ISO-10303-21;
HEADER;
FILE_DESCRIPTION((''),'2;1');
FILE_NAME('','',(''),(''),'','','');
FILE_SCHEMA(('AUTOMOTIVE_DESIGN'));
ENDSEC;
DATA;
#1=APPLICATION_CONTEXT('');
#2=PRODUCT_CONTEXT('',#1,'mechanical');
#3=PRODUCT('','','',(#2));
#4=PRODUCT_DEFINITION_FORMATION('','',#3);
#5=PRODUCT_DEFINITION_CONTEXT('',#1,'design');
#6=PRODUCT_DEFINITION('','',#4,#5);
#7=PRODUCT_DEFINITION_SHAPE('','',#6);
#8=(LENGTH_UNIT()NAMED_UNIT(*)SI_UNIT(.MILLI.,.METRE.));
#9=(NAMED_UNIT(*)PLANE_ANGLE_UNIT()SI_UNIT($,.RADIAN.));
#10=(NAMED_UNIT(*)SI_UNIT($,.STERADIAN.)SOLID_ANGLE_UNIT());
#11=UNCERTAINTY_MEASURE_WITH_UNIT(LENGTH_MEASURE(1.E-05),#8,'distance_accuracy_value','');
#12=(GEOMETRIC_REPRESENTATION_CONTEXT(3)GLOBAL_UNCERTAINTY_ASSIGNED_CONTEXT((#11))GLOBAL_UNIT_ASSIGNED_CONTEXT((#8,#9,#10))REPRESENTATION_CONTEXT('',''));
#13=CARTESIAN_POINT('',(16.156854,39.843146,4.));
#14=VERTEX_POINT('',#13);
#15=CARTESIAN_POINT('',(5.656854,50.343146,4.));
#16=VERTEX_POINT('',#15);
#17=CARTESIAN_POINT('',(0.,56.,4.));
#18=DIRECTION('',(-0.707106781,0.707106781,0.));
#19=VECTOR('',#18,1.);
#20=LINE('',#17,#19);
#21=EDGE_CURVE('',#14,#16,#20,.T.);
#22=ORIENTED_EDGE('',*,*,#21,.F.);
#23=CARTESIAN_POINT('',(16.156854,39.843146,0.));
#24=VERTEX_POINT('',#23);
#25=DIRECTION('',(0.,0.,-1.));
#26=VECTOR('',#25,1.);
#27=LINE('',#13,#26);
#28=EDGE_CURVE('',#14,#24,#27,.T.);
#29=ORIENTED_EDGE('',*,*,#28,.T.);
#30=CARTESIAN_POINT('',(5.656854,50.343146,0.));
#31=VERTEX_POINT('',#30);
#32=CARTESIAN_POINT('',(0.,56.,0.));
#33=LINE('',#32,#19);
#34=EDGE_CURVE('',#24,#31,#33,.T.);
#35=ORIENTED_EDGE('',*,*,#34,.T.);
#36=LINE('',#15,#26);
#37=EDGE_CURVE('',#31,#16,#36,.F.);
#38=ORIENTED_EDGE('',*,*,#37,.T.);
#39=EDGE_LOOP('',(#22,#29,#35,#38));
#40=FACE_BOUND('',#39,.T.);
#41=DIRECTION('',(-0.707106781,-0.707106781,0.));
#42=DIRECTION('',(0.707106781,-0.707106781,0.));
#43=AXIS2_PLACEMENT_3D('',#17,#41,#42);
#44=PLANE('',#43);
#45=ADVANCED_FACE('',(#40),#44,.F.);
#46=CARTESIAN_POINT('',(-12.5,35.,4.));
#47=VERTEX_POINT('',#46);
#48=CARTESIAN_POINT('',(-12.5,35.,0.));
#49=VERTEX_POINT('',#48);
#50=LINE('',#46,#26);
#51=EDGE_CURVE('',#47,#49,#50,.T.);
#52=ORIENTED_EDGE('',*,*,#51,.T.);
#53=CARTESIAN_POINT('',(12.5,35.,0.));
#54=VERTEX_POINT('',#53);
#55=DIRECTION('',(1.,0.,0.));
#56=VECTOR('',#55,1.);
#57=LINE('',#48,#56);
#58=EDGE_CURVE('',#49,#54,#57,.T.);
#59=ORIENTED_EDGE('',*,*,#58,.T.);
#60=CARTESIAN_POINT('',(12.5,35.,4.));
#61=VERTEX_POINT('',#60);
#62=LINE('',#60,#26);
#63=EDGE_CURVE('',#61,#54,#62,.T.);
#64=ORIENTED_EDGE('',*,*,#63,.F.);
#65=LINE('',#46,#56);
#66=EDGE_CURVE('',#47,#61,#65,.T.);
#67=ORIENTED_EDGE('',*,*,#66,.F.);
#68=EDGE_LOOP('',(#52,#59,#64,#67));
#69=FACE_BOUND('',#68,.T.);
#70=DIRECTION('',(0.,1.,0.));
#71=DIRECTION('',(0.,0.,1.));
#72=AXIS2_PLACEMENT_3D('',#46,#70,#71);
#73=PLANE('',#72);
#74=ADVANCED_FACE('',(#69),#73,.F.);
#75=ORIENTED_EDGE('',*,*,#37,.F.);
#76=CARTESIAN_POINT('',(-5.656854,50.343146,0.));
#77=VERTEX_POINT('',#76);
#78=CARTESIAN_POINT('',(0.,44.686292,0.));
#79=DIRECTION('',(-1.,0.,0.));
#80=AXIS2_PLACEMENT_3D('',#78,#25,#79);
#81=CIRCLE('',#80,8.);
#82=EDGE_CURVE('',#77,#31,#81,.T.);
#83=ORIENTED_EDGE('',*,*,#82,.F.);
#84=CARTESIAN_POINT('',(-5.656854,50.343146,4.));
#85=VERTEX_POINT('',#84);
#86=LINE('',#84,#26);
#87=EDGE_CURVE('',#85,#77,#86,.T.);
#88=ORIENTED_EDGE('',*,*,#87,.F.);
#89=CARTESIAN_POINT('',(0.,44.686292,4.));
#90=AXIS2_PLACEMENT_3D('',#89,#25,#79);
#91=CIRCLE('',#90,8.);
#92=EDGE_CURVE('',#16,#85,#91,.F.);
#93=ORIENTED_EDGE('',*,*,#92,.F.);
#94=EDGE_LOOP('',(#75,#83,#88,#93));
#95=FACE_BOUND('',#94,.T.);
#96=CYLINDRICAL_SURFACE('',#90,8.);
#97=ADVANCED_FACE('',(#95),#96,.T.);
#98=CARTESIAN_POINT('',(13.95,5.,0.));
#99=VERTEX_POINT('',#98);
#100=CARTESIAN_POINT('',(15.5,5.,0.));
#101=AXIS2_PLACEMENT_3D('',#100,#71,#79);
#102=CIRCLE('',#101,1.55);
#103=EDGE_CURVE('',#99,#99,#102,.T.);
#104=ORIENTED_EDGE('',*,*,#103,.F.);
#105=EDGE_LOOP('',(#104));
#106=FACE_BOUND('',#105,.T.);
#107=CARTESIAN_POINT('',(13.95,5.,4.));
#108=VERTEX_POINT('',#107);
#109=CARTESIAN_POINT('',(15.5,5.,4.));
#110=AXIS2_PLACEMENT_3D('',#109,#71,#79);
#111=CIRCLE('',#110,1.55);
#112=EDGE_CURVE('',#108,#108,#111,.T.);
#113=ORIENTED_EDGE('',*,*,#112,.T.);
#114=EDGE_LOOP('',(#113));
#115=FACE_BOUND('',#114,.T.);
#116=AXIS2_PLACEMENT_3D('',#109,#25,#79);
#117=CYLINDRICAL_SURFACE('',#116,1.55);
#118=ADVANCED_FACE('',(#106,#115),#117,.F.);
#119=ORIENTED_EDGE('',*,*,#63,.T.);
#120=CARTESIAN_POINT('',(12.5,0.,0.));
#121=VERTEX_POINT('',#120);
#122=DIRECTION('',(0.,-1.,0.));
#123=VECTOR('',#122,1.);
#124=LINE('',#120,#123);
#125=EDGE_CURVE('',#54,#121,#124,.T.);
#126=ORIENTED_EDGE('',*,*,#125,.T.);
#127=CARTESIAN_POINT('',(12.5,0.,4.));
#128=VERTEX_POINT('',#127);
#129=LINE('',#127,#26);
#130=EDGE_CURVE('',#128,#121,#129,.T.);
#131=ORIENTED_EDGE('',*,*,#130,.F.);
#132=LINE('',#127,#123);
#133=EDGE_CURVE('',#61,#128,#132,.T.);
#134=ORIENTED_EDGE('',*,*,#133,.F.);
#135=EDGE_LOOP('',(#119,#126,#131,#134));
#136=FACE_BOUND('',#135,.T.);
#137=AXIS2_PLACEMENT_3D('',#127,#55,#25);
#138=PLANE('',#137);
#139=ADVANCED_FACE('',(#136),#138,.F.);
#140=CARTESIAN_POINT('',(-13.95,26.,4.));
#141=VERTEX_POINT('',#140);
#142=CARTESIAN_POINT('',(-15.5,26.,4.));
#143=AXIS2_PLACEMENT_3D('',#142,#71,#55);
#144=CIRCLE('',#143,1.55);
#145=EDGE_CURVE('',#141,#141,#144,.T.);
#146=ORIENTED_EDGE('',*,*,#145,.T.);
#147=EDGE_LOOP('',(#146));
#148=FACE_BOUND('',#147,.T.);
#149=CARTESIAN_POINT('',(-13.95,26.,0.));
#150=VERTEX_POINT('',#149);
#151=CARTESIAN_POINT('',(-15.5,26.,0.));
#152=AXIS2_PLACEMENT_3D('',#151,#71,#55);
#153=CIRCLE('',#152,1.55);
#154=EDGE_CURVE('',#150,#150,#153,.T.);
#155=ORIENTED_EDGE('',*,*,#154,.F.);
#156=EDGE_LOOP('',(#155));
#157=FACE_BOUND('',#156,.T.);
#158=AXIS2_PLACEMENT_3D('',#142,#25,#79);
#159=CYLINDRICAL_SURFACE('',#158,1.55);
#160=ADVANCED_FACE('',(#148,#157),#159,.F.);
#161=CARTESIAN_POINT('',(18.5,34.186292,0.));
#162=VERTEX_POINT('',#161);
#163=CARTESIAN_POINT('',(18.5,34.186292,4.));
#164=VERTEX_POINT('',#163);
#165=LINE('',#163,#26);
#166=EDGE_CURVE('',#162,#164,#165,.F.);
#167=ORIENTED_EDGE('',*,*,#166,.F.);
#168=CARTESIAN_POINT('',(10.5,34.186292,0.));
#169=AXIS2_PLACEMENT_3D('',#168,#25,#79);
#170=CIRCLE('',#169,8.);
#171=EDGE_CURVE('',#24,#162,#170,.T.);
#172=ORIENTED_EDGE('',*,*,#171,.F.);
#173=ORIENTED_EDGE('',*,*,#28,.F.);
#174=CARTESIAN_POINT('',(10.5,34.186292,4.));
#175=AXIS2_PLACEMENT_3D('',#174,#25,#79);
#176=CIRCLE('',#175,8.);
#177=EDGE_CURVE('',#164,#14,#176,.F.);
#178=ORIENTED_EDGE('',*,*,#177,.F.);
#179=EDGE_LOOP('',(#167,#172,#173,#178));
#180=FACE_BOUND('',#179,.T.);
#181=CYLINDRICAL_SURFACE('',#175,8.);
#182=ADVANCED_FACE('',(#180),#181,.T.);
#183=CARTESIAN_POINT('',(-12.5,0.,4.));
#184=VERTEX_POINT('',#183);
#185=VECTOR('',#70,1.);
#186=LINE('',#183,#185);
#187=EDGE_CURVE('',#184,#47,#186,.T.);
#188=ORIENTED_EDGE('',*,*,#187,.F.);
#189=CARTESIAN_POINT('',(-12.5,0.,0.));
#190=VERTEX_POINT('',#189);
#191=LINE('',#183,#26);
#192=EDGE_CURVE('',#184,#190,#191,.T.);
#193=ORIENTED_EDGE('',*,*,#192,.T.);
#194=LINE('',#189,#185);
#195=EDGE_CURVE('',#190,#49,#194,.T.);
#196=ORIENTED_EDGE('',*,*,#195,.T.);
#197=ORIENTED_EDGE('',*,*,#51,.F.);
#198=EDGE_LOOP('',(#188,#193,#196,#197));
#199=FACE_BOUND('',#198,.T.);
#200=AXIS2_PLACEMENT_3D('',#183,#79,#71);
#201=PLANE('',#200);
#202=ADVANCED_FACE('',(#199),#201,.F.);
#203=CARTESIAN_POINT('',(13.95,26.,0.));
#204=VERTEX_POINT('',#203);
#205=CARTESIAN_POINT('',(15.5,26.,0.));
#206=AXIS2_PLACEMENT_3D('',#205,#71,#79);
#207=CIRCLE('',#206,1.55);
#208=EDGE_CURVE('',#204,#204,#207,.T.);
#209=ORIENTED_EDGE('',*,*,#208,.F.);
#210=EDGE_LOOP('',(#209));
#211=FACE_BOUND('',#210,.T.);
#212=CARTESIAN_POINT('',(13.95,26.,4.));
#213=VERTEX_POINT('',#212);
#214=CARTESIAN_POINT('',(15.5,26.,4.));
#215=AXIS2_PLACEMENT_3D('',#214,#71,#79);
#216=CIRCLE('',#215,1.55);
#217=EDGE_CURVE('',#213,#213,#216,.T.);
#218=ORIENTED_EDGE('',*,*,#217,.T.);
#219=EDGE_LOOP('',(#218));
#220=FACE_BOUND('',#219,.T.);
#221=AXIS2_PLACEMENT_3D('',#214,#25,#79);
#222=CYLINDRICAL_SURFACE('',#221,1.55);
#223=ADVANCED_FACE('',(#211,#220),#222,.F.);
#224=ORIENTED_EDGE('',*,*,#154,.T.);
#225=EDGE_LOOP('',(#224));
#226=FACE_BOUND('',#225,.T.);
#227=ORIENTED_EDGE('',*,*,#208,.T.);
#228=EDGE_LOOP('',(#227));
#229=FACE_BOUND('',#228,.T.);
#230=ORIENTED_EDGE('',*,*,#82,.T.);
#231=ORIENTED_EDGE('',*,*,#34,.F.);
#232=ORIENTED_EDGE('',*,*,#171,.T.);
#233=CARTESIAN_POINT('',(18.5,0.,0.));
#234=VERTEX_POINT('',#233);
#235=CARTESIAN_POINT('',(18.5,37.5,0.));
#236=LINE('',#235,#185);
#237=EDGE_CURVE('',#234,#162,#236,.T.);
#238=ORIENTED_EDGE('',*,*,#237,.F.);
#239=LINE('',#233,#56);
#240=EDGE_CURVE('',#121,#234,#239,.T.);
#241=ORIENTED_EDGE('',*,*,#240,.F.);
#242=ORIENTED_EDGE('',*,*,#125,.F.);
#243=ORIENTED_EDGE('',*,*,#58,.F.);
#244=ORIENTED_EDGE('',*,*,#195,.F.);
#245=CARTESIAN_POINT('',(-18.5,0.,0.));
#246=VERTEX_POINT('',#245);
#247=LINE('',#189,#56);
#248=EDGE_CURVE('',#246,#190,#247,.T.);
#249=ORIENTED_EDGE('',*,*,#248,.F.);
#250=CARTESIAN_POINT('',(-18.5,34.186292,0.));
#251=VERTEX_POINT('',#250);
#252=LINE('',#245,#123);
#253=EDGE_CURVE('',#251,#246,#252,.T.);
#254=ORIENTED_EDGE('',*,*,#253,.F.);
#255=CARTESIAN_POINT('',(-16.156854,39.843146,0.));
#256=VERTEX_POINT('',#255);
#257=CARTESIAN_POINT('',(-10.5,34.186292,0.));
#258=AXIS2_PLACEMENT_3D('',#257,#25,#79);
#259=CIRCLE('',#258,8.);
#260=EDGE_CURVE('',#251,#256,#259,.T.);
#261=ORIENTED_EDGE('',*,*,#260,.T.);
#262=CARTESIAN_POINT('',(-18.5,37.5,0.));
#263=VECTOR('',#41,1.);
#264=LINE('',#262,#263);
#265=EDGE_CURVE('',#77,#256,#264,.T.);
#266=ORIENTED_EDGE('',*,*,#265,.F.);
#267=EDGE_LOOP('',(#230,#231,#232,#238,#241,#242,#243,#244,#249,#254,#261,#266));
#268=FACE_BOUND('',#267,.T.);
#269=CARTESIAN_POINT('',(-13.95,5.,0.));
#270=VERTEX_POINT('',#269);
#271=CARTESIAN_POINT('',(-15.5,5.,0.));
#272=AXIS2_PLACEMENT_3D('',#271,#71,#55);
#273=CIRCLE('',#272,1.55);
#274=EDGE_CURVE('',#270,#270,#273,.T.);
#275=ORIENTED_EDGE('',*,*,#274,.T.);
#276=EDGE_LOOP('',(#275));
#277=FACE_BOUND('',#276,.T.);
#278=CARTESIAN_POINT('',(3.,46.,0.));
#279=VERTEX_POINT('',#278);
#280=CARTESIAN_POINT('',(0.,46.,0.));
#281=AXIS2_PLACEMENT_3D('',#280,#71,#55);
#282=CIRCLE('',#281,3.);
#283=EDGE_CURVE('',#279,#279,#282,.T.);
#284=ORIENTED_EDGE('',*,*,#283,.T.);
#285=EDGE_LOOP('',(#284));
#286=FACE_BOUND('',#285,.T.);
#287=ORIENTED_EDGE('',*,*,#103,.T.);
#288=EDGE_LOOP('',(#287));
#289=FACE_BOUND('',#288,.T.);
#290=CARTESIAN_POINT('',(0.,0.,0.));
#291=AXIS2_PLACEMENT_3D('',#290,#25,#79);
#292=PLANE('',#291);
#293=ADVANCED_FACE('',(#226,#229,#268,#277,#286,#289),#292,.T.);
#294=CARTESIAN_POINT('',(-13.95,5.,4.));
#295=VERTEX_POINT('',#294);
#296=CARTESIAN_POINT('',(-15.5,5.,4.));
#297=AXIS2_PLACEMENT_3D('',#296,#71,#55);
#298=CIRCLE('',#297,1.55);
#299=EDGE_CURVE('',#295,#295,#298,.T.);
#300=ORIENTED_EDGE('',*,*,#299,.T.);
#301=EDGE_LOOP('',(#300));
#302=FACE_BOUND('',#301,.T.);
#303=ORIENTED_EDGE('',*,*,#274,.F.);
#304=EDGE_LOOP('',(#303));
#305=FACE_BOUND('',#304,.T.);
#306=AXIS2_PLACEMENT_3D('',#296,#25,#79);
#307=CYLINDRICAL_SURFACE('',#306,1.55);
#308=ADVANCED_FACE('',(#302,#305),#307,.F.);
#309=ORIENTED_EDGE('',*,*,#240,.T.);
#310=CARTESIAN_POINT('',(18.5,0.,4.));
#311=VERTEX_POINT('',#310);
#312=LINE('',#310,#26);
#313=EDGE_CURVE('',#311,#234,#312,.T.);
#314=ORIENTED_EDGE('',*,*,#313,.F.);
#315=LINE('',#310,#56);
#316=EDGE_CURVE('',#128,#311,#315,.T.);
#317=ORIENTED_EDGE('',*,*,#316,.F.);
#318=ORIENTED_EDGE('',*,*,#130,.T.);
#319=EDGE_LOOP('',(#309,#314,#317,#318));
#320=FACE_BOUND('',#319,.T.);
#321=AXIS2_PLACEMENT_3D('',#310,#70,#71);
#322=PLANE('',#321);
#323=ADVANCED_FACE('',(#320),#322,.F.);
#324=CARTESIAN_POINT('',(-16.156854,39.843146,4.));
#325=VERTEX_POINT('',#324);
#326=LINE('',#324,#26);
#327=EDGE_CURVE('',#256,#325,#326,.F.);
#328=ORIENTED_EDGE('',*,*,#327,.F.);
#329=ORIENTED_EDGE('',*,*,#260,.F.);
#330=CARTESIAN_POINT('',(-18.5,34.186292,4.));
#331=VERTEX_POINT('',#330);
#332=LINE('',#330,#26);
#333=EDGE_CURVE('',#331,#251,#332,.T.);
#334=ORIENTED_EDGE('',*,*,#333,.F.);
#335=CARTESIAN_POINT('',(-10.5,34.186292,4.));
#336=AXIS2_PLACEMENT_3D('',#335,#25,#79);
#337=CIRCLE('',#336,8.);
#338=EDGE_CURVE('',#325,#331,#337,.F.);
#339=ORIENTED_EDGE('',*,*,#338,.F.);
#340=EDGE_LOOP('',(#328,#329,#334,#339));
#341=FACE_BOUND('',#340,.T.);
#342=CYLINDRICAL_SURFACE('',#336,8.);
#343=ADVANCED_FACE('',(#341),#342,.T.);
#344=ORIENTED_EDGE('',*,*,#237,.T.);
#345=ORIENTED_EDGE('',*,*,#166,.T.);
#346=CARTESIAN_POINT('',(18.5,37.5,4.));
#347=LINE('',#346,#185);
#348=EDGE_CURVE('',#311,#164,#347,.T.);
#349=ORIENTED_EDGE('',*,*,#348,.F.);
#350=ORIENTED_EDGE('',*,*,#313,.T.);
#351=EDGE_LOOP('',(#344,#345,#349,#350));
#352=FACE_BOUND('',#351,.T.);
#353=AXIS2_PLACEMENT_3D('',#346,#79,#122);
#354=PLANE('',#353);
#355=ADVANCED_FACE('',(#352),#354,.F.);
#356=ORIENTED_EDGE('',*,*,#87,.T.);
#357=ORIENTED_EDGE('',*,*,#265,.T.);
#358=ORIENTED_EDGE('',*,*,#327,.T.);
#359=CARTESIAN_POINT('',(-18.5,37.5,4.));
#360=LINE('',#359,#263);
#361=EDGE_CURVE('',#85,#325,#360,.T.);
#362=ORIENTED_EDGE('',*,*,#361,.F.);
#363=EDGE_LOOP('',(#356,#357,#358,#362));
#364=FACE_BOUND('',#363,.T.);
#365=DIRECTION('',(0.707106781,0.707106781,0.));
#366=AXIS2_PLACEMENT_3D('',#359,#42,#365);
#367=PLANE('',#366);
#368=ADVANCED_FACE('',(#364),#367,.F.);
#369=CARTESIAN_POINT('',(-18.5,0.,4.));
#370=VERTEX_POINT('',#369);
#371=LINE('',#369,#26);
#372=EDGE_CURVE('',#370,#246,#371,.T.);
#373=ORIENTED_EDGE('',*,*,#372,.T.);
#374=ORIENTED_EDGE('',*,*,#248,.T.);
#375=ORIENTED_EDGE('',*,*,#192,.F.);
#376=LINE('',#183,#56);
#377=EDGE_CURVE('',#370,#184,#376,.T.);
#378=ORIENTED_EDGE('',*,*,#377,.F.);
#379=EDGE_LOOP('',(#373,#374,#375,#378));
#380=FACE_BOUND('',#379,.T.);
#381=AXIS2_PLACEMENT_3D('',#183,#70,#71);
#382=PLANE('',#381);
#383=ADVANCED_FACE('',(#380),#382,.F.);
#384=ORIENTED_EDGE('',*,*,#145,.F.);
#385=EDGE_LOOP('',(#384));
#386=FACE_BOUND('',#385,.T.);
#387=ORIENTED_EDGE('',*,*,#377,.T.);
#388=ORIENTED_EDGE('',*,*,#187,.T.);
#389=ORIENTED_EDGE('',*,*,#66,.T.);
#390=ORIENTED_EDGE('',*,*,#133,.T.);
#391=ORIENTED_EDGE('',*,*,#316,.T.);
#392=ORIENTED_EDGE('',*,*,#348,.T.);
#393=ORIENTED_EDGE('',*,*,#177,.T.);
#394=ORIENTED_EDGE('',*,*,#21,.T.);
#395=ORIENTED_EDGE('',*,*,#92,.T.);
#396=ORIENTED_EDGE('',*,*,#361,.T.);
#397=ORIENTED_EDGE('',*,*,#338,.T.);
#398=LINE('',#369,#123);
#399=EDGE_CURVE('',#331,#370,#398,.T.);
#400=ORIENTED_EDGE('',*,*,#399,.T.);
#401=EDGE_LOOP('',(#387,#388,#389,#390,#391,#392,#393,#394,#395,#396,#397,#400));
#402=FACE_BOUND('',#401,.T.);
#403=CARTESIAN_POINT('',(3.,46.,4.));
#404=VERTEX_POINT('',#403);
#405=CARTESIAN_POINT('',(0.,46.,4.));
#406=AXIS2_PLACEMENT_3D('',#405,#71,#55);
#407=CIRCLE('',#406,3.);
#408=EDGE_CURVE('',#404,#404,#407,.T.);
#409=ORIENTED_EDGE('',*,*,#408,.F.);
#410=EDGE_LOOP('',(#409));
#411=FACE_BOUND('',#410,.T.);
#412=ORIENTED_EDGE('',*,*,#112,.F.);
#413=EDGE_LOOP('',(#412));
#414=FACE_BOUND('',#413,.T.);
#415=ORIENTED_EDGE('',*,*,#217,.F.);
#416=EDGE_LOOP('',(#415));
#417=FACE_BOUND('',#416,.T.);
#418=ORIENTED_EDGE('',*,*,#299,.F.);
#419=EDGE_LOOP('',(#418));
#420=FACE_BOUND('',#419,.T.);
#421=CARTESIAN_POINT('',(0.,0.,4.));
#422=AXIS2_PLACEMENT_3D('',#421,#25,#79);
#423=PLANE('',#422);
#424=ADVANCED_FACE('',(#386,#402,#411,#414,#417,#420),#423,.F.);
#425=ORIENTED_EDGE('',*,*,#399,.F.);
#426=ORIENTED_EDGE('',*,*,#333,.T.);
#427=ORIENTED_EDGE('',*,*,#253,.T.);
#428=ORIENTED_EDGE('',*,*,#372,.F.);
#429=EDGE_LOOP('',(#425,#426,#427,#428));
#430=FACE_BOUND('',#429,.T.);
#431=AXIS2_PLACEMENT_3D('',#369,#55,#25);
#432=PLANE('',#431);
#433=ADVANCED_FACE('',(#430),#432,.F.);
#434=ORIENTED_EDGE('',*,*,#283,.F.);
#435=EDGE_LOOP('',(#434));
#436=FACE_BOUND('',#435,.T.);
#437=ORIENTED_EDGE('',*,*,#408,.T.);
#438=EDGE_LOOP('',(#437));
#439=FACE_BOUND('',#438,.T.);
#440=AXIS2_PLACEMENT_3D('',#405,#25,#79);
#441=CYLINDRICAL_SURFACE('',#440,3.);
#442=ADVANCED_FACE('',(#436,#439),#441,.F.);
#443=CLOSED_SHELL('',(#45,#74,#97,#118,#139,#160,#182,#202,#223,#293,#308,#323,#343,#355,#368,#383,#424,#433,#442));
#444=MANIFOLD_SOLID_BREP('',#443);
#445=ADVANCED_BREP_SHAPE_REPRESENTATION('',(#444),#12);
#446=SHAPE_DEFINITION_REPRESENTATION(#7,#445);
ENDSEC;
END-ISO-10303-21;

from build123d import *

# Parameters (mm, degrees)
SKETCH_1_R      = 3
SKETCH_1_R_2    = 1.55
EXTRUDE_1_DEPTH = 4
FILLET_1_R      = 8


with BuildPart() as part:
    # 草图1 → 凸台-拉伸1 (new body)
    with BuildSketch(Plane.XY):
        Polygon((-12.5, 0), (-18.5, 0), (-18.5, 37.5), (0, 56), (18.5, 37.5), (18.5, 0), (12.5, 0), (12.5, 35), (-12.5, 35), align=None)
        with Locations((0, 46)):
            Circle(SKETCH_1_R, mode=Mode.SUBTRACT)
        with Locations((-15.5, 5)):
            Circle(SKETCH_1_R_2, mode=Mode.SUBTRACT)
        with Locations((-15.5, 26)):
            Circle(SKETCH_1_R_2, mode=Mode.SUBTRACT)
        with Locations(Location((15.5, 5, 0), (0, 0, 180))):
            Circle(SKETCH_1_R_2, mode=Mode.SUBTRACT)
        with Locations(Location((15.5, 26, 0), (0, 0, 180))):
            Circle(SKETCH_1_R_2, mode=Mode.SUBTRACT)
    extrude(amount=EXTRUDE_1_DEPTH)

    # 圆角1
    fillet_1_edges = [part.edges().sort_by_distance(p)[0] for p in [
        (-18.5, 37.5, 2),
        (0, 56, 2),
        (18.5, 37.5, 2),
    ]]
    fillet(fillet_1_edges, radius=FILLET_1_R)


solid = part.part
